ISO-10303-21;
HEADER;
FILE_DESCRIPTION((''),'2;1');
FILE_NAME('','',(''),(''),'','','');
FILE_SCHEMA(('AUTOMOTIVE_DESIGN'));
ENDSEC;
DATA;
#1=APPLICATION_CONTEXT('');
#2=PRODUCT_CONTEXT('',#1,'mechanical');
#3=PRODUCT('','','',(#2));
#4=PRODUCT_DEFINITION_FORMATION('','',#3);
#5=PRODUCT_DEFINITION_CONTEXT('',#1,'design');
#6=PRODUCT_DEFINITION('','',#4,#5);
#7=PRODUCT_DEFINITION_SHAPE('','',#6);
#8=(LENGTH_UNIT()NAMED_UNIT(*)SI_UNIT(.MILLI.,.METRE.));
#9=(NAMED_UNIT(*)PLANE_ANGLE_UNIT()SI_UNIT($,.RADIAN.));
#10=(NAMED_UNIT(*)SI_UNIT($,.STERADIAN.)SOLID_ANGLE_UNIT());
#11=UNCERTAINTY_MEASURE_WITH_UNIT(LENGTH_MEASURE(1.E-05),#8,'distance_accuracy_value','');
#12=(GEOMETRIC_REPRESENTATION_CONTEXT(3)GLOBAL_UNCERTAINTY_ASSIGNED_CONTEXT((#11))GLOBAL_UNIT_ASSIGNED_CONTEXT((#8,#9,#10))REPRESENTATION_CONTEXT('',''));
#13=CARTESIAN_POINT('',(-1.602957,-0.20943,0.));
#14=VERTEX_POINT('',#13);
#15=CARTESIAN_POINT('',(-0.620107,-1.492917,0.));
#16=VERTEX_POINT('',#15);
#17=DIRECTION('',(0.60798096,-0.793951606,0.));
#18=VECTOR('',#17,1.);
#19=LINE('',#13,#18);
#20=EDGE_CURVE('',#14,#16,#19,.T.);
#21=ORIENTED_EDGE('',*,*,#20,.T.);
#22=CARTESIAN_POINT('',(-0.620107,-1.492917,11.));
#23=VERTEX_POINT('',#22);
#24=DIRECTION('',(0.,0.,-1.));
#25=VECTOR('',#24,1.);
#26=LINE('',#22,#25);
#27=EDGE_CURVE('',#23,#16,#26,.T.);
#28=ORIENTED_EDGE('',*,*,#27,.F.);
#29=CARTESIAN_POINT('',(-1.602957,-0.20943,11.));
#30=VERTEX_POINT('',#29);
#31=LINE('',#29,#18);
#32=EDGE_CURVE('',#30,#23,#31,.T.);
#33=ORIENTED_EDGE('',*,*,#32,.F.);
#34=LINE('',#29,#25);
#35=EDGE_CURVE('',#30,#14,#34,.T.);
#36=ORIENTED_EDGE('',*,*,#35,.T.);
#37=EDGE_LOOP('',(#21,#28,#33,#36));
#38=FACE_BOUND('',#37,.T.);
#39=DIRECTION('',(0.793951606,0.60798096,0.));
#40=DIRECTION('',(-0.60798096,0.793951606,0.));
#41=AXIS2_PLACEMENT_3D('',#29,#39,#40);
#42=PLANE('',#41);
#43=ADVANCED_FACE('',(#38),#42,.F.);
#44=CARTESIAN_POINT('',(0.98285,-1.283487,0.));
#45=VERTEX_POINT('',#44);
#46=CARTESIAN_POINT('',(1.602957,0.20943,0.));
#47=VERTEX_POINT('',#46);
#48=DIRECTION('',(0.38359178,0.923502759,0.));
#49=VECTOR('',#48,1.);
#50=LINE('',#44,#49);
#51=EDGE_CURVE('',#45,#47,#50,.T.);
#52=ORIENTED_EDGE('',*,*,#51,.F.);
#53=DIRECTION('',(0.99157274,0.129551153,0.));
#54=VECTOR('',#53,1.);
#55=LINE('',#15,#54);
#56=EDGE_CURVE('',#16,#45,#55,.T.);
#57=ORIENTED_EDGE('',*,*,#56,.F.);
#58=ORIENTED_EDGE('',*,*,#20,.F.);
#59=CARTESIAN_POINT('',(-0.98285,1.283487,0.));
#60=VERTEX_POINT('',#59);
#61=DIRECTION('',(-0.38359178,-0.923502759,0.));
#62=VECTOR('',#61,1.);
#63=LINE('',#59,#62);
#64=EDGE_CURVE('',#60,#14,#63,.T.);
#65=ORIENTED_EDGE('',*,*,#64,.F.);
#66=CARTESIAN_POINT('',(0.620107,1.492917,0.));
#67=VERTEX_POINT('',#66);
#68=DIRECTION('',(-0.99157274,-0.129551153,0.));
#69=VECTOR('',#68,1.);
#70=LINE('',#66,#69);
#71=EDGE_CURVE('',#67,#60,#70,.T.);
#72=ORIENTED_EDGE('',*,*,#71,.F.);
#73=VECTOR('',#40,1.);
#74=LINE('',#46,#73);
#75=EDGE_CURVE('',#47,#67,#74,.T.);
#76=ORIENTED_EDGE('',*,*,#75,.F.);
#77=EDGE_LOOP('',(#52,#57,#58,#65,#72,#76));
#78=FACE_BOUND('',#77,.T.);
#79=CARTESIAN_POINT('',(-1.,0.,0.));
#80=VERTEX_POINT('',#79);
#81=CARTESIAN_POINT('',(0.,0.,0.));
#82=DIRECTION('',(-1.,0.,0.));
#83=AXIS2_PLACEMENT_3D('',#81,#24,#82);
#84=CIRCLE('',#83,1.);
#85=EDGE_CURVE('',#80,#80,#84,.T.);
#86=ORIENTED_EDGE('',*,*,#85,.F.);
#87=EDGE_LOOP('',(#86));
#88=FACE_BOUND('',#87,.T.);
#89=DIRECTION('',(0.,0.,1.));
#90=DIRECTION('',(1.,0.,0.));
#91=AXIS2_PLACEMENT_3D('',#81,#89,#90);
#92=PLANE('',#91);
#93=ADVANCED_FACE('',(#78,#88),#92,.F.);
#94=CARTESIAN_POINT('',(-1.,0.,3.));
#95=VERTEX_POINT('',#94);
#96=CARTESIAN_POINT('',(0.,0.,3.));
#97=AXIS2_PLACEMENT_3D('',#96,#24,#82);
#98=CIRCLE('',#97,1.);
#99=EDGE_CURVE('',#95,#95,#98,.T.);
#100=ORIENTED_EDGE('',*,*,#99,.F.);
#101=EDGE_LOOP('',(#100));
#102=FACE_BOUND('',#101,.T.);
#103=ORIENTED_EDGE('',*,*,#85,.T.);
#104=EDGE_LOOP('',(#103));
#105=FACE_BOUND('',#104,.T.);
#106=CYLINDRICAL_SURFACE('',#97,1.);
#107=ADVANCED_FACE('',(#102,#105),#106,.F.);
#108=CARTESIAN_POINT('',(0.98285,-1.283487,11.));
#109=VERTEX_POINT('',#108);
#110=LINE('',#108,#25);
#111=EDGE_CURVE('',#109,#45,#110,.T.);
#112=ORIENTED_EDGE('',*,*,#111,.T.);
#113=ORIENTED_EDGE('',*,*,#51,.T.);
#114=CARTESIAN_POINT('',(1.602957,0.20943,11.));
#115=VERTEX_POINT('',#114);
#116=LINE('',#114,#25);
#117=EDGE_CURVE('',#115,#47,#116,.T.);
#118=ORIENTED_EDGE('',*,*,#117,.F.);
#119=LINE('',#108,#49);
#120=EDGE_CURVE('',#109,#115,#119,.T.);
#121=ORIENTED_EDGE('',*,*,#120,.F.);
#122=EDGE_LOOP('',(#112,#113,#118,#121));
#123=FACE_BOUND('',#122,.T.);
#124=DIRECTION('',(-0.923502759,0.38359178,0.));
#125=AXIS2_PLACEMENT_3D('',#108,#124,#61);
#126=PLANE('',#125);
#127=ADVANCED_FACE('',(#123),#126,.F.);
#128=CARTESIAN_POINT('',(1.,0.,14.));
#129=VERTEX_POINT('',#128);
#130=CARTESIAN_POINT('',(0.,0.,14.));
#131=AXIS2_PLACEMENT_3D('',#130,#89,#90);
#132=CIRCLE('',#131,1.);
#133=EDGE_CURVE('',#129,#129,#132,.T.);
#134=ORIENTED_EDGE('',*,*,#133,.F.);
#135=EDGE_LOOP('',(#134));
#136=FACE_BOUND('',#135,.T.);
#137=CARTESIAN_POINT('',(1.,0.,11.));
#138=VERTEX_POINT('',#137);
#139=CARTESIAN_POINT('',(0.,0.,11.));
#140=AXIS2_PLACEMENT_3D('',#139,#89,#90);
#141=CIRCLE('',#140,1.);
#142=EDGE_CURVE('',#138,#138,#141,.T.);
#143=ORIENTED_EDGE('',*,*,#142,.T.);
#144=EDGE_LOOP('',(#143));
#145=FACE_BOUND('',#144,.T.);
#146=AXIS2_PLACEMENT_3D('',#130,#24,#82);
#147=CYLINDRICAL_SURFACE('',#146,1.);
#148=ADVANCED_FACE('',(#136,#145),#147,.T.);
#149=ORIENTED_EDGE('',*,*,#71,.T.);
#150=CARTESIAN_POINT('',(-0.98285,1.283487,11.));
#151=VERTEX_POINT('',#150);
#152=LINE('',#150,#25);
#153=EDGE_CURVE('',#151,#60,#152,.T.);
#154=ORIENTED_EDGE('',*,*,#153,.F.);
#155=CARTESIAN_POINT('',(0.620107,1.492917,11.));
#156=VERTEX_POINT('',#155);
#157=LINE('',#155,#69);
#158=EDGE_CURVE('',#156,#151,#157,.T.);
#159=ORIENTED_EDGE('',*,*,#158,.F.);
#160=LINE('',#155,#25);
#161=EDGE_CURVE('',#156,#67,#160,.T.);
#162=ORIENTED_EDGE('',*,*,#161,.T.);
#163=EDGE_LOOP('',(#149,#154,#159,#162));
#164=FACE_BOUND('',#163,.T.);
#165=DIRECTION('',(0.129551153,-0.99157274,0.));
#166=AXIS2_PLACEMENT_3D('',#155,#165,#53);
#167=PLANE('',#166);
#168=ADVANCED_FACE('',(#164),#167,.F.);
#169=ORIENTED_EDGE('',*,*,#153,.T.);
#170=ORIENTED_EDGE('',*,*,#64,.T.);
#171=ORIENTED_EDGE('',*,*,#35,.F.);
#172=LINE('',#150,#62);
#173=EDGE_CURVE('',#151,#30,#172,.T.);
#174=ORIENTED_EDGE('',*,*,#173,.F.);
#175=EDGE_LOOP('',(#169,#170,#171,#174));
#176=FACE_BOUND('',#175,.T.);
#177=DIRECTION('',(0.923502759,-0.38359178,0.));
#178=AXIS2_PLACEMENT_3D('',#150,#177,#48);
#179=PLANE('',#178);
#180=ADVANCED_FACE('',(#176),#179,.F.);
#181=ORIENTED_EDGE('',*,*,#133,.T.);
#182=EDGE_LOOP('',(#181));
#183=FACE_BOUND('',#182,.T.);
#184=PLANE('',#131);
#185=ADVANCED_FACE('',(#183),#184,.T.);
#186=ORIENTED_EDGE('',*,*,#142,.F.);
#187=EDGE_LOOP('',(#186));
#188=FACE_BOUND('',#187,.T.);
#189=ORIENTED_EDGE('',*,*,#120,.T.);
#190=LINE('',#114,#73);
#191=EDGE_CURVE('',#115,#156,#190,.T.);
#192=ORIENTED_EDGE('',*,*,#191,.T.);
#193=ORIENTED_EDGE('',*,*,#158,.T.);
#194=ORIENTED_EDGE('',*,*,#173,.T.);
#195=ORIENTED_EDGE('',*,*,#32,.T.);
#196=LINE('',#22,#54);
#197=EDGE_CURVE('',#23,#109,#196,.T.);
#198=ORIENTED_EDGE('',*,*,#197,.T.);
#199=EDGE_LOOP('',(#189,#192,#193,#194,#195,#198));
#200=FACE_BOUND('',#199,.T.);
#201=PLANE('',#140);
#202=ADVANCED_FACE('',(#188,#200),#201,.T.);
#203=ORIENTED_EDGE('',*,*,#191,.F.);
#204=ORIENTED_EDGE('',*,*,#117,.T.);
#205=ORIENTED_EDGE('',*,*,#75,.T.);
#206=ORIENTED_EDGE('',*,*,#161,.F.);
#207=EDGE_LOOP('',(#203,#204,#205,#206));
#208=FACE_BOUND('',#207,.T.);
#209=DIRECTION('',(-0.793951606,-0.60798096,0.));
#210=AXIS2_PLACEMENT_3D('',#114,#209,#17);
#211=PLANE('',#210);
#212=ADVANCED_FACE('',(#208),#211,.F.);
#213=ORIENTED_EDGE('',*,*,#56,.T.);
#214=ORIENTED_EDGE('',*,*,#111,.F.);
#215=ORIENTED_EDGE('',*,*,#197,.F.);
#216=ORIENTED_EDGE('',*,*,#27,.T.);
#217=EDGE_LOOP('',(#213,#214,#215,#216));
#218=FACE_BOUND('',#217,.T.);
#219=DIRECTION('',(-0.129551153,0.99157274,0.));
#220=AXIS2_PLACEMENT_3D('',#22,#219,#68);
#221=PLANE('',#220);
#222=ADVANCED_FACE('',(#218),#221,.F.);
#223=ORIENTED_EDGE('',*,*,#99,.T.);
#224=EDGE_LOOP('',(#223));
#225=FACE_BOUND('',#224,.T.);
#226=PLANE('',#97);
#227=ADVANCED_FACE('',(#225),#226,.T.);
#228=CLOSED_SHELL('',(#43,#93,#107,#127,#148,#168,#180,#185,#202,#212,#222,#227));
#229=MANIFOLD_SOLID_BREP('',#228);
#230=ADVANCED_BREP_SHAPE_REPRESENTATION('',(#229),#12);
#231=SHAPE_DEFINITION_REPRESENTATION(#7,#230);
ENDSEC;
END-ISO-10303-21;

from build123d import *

# Parameters (mm, degrees)
EXTRUDE_1_DEPTH     = 11
SKETCH_2_R          = 1
EXTRUDE_2_DEPTH     = 3
SKETCH_3_R          = 1
CUT_EXTRUDE_1_DEPTH = 3


with BuildPart() as part:
    # 草图1 → 凸台-拉伸1 (new body)
    with BuildSketch(Plane.XY):
        Polygon((0.982850318, -1.283486886), (1.602957407, 0.209429901), (0.62010709, 1.492916786), (-0.982850318, 1.283486886), (-1.602957407, -0.209429901), (-0.62010709, -1.492916786), align=None)
    extrude(amount=EXTRUDE_1_DEPTH)

    # 草图2 → 凸台-拉伸2 (add)
    with BuildSketch(Plane.XY.offset(11)):
        Circle(SKETCH_2_R)
    extrude(amount=EXTRUDE_2_DEPTH)

    # 草图3 → 切除-拉伸1 (cut)
    with BuildSketch(Plane(origin=(0, 0, 0), x_dir=(-1, 0, 0), z_dir=(0, 0, -1))):
        Circle(SKETCH_3_R)
    extrude(amount=-CUT_EXTRUDE_1_DEPTH, mode=Mode.SUBTRACT)


solid = part.part
